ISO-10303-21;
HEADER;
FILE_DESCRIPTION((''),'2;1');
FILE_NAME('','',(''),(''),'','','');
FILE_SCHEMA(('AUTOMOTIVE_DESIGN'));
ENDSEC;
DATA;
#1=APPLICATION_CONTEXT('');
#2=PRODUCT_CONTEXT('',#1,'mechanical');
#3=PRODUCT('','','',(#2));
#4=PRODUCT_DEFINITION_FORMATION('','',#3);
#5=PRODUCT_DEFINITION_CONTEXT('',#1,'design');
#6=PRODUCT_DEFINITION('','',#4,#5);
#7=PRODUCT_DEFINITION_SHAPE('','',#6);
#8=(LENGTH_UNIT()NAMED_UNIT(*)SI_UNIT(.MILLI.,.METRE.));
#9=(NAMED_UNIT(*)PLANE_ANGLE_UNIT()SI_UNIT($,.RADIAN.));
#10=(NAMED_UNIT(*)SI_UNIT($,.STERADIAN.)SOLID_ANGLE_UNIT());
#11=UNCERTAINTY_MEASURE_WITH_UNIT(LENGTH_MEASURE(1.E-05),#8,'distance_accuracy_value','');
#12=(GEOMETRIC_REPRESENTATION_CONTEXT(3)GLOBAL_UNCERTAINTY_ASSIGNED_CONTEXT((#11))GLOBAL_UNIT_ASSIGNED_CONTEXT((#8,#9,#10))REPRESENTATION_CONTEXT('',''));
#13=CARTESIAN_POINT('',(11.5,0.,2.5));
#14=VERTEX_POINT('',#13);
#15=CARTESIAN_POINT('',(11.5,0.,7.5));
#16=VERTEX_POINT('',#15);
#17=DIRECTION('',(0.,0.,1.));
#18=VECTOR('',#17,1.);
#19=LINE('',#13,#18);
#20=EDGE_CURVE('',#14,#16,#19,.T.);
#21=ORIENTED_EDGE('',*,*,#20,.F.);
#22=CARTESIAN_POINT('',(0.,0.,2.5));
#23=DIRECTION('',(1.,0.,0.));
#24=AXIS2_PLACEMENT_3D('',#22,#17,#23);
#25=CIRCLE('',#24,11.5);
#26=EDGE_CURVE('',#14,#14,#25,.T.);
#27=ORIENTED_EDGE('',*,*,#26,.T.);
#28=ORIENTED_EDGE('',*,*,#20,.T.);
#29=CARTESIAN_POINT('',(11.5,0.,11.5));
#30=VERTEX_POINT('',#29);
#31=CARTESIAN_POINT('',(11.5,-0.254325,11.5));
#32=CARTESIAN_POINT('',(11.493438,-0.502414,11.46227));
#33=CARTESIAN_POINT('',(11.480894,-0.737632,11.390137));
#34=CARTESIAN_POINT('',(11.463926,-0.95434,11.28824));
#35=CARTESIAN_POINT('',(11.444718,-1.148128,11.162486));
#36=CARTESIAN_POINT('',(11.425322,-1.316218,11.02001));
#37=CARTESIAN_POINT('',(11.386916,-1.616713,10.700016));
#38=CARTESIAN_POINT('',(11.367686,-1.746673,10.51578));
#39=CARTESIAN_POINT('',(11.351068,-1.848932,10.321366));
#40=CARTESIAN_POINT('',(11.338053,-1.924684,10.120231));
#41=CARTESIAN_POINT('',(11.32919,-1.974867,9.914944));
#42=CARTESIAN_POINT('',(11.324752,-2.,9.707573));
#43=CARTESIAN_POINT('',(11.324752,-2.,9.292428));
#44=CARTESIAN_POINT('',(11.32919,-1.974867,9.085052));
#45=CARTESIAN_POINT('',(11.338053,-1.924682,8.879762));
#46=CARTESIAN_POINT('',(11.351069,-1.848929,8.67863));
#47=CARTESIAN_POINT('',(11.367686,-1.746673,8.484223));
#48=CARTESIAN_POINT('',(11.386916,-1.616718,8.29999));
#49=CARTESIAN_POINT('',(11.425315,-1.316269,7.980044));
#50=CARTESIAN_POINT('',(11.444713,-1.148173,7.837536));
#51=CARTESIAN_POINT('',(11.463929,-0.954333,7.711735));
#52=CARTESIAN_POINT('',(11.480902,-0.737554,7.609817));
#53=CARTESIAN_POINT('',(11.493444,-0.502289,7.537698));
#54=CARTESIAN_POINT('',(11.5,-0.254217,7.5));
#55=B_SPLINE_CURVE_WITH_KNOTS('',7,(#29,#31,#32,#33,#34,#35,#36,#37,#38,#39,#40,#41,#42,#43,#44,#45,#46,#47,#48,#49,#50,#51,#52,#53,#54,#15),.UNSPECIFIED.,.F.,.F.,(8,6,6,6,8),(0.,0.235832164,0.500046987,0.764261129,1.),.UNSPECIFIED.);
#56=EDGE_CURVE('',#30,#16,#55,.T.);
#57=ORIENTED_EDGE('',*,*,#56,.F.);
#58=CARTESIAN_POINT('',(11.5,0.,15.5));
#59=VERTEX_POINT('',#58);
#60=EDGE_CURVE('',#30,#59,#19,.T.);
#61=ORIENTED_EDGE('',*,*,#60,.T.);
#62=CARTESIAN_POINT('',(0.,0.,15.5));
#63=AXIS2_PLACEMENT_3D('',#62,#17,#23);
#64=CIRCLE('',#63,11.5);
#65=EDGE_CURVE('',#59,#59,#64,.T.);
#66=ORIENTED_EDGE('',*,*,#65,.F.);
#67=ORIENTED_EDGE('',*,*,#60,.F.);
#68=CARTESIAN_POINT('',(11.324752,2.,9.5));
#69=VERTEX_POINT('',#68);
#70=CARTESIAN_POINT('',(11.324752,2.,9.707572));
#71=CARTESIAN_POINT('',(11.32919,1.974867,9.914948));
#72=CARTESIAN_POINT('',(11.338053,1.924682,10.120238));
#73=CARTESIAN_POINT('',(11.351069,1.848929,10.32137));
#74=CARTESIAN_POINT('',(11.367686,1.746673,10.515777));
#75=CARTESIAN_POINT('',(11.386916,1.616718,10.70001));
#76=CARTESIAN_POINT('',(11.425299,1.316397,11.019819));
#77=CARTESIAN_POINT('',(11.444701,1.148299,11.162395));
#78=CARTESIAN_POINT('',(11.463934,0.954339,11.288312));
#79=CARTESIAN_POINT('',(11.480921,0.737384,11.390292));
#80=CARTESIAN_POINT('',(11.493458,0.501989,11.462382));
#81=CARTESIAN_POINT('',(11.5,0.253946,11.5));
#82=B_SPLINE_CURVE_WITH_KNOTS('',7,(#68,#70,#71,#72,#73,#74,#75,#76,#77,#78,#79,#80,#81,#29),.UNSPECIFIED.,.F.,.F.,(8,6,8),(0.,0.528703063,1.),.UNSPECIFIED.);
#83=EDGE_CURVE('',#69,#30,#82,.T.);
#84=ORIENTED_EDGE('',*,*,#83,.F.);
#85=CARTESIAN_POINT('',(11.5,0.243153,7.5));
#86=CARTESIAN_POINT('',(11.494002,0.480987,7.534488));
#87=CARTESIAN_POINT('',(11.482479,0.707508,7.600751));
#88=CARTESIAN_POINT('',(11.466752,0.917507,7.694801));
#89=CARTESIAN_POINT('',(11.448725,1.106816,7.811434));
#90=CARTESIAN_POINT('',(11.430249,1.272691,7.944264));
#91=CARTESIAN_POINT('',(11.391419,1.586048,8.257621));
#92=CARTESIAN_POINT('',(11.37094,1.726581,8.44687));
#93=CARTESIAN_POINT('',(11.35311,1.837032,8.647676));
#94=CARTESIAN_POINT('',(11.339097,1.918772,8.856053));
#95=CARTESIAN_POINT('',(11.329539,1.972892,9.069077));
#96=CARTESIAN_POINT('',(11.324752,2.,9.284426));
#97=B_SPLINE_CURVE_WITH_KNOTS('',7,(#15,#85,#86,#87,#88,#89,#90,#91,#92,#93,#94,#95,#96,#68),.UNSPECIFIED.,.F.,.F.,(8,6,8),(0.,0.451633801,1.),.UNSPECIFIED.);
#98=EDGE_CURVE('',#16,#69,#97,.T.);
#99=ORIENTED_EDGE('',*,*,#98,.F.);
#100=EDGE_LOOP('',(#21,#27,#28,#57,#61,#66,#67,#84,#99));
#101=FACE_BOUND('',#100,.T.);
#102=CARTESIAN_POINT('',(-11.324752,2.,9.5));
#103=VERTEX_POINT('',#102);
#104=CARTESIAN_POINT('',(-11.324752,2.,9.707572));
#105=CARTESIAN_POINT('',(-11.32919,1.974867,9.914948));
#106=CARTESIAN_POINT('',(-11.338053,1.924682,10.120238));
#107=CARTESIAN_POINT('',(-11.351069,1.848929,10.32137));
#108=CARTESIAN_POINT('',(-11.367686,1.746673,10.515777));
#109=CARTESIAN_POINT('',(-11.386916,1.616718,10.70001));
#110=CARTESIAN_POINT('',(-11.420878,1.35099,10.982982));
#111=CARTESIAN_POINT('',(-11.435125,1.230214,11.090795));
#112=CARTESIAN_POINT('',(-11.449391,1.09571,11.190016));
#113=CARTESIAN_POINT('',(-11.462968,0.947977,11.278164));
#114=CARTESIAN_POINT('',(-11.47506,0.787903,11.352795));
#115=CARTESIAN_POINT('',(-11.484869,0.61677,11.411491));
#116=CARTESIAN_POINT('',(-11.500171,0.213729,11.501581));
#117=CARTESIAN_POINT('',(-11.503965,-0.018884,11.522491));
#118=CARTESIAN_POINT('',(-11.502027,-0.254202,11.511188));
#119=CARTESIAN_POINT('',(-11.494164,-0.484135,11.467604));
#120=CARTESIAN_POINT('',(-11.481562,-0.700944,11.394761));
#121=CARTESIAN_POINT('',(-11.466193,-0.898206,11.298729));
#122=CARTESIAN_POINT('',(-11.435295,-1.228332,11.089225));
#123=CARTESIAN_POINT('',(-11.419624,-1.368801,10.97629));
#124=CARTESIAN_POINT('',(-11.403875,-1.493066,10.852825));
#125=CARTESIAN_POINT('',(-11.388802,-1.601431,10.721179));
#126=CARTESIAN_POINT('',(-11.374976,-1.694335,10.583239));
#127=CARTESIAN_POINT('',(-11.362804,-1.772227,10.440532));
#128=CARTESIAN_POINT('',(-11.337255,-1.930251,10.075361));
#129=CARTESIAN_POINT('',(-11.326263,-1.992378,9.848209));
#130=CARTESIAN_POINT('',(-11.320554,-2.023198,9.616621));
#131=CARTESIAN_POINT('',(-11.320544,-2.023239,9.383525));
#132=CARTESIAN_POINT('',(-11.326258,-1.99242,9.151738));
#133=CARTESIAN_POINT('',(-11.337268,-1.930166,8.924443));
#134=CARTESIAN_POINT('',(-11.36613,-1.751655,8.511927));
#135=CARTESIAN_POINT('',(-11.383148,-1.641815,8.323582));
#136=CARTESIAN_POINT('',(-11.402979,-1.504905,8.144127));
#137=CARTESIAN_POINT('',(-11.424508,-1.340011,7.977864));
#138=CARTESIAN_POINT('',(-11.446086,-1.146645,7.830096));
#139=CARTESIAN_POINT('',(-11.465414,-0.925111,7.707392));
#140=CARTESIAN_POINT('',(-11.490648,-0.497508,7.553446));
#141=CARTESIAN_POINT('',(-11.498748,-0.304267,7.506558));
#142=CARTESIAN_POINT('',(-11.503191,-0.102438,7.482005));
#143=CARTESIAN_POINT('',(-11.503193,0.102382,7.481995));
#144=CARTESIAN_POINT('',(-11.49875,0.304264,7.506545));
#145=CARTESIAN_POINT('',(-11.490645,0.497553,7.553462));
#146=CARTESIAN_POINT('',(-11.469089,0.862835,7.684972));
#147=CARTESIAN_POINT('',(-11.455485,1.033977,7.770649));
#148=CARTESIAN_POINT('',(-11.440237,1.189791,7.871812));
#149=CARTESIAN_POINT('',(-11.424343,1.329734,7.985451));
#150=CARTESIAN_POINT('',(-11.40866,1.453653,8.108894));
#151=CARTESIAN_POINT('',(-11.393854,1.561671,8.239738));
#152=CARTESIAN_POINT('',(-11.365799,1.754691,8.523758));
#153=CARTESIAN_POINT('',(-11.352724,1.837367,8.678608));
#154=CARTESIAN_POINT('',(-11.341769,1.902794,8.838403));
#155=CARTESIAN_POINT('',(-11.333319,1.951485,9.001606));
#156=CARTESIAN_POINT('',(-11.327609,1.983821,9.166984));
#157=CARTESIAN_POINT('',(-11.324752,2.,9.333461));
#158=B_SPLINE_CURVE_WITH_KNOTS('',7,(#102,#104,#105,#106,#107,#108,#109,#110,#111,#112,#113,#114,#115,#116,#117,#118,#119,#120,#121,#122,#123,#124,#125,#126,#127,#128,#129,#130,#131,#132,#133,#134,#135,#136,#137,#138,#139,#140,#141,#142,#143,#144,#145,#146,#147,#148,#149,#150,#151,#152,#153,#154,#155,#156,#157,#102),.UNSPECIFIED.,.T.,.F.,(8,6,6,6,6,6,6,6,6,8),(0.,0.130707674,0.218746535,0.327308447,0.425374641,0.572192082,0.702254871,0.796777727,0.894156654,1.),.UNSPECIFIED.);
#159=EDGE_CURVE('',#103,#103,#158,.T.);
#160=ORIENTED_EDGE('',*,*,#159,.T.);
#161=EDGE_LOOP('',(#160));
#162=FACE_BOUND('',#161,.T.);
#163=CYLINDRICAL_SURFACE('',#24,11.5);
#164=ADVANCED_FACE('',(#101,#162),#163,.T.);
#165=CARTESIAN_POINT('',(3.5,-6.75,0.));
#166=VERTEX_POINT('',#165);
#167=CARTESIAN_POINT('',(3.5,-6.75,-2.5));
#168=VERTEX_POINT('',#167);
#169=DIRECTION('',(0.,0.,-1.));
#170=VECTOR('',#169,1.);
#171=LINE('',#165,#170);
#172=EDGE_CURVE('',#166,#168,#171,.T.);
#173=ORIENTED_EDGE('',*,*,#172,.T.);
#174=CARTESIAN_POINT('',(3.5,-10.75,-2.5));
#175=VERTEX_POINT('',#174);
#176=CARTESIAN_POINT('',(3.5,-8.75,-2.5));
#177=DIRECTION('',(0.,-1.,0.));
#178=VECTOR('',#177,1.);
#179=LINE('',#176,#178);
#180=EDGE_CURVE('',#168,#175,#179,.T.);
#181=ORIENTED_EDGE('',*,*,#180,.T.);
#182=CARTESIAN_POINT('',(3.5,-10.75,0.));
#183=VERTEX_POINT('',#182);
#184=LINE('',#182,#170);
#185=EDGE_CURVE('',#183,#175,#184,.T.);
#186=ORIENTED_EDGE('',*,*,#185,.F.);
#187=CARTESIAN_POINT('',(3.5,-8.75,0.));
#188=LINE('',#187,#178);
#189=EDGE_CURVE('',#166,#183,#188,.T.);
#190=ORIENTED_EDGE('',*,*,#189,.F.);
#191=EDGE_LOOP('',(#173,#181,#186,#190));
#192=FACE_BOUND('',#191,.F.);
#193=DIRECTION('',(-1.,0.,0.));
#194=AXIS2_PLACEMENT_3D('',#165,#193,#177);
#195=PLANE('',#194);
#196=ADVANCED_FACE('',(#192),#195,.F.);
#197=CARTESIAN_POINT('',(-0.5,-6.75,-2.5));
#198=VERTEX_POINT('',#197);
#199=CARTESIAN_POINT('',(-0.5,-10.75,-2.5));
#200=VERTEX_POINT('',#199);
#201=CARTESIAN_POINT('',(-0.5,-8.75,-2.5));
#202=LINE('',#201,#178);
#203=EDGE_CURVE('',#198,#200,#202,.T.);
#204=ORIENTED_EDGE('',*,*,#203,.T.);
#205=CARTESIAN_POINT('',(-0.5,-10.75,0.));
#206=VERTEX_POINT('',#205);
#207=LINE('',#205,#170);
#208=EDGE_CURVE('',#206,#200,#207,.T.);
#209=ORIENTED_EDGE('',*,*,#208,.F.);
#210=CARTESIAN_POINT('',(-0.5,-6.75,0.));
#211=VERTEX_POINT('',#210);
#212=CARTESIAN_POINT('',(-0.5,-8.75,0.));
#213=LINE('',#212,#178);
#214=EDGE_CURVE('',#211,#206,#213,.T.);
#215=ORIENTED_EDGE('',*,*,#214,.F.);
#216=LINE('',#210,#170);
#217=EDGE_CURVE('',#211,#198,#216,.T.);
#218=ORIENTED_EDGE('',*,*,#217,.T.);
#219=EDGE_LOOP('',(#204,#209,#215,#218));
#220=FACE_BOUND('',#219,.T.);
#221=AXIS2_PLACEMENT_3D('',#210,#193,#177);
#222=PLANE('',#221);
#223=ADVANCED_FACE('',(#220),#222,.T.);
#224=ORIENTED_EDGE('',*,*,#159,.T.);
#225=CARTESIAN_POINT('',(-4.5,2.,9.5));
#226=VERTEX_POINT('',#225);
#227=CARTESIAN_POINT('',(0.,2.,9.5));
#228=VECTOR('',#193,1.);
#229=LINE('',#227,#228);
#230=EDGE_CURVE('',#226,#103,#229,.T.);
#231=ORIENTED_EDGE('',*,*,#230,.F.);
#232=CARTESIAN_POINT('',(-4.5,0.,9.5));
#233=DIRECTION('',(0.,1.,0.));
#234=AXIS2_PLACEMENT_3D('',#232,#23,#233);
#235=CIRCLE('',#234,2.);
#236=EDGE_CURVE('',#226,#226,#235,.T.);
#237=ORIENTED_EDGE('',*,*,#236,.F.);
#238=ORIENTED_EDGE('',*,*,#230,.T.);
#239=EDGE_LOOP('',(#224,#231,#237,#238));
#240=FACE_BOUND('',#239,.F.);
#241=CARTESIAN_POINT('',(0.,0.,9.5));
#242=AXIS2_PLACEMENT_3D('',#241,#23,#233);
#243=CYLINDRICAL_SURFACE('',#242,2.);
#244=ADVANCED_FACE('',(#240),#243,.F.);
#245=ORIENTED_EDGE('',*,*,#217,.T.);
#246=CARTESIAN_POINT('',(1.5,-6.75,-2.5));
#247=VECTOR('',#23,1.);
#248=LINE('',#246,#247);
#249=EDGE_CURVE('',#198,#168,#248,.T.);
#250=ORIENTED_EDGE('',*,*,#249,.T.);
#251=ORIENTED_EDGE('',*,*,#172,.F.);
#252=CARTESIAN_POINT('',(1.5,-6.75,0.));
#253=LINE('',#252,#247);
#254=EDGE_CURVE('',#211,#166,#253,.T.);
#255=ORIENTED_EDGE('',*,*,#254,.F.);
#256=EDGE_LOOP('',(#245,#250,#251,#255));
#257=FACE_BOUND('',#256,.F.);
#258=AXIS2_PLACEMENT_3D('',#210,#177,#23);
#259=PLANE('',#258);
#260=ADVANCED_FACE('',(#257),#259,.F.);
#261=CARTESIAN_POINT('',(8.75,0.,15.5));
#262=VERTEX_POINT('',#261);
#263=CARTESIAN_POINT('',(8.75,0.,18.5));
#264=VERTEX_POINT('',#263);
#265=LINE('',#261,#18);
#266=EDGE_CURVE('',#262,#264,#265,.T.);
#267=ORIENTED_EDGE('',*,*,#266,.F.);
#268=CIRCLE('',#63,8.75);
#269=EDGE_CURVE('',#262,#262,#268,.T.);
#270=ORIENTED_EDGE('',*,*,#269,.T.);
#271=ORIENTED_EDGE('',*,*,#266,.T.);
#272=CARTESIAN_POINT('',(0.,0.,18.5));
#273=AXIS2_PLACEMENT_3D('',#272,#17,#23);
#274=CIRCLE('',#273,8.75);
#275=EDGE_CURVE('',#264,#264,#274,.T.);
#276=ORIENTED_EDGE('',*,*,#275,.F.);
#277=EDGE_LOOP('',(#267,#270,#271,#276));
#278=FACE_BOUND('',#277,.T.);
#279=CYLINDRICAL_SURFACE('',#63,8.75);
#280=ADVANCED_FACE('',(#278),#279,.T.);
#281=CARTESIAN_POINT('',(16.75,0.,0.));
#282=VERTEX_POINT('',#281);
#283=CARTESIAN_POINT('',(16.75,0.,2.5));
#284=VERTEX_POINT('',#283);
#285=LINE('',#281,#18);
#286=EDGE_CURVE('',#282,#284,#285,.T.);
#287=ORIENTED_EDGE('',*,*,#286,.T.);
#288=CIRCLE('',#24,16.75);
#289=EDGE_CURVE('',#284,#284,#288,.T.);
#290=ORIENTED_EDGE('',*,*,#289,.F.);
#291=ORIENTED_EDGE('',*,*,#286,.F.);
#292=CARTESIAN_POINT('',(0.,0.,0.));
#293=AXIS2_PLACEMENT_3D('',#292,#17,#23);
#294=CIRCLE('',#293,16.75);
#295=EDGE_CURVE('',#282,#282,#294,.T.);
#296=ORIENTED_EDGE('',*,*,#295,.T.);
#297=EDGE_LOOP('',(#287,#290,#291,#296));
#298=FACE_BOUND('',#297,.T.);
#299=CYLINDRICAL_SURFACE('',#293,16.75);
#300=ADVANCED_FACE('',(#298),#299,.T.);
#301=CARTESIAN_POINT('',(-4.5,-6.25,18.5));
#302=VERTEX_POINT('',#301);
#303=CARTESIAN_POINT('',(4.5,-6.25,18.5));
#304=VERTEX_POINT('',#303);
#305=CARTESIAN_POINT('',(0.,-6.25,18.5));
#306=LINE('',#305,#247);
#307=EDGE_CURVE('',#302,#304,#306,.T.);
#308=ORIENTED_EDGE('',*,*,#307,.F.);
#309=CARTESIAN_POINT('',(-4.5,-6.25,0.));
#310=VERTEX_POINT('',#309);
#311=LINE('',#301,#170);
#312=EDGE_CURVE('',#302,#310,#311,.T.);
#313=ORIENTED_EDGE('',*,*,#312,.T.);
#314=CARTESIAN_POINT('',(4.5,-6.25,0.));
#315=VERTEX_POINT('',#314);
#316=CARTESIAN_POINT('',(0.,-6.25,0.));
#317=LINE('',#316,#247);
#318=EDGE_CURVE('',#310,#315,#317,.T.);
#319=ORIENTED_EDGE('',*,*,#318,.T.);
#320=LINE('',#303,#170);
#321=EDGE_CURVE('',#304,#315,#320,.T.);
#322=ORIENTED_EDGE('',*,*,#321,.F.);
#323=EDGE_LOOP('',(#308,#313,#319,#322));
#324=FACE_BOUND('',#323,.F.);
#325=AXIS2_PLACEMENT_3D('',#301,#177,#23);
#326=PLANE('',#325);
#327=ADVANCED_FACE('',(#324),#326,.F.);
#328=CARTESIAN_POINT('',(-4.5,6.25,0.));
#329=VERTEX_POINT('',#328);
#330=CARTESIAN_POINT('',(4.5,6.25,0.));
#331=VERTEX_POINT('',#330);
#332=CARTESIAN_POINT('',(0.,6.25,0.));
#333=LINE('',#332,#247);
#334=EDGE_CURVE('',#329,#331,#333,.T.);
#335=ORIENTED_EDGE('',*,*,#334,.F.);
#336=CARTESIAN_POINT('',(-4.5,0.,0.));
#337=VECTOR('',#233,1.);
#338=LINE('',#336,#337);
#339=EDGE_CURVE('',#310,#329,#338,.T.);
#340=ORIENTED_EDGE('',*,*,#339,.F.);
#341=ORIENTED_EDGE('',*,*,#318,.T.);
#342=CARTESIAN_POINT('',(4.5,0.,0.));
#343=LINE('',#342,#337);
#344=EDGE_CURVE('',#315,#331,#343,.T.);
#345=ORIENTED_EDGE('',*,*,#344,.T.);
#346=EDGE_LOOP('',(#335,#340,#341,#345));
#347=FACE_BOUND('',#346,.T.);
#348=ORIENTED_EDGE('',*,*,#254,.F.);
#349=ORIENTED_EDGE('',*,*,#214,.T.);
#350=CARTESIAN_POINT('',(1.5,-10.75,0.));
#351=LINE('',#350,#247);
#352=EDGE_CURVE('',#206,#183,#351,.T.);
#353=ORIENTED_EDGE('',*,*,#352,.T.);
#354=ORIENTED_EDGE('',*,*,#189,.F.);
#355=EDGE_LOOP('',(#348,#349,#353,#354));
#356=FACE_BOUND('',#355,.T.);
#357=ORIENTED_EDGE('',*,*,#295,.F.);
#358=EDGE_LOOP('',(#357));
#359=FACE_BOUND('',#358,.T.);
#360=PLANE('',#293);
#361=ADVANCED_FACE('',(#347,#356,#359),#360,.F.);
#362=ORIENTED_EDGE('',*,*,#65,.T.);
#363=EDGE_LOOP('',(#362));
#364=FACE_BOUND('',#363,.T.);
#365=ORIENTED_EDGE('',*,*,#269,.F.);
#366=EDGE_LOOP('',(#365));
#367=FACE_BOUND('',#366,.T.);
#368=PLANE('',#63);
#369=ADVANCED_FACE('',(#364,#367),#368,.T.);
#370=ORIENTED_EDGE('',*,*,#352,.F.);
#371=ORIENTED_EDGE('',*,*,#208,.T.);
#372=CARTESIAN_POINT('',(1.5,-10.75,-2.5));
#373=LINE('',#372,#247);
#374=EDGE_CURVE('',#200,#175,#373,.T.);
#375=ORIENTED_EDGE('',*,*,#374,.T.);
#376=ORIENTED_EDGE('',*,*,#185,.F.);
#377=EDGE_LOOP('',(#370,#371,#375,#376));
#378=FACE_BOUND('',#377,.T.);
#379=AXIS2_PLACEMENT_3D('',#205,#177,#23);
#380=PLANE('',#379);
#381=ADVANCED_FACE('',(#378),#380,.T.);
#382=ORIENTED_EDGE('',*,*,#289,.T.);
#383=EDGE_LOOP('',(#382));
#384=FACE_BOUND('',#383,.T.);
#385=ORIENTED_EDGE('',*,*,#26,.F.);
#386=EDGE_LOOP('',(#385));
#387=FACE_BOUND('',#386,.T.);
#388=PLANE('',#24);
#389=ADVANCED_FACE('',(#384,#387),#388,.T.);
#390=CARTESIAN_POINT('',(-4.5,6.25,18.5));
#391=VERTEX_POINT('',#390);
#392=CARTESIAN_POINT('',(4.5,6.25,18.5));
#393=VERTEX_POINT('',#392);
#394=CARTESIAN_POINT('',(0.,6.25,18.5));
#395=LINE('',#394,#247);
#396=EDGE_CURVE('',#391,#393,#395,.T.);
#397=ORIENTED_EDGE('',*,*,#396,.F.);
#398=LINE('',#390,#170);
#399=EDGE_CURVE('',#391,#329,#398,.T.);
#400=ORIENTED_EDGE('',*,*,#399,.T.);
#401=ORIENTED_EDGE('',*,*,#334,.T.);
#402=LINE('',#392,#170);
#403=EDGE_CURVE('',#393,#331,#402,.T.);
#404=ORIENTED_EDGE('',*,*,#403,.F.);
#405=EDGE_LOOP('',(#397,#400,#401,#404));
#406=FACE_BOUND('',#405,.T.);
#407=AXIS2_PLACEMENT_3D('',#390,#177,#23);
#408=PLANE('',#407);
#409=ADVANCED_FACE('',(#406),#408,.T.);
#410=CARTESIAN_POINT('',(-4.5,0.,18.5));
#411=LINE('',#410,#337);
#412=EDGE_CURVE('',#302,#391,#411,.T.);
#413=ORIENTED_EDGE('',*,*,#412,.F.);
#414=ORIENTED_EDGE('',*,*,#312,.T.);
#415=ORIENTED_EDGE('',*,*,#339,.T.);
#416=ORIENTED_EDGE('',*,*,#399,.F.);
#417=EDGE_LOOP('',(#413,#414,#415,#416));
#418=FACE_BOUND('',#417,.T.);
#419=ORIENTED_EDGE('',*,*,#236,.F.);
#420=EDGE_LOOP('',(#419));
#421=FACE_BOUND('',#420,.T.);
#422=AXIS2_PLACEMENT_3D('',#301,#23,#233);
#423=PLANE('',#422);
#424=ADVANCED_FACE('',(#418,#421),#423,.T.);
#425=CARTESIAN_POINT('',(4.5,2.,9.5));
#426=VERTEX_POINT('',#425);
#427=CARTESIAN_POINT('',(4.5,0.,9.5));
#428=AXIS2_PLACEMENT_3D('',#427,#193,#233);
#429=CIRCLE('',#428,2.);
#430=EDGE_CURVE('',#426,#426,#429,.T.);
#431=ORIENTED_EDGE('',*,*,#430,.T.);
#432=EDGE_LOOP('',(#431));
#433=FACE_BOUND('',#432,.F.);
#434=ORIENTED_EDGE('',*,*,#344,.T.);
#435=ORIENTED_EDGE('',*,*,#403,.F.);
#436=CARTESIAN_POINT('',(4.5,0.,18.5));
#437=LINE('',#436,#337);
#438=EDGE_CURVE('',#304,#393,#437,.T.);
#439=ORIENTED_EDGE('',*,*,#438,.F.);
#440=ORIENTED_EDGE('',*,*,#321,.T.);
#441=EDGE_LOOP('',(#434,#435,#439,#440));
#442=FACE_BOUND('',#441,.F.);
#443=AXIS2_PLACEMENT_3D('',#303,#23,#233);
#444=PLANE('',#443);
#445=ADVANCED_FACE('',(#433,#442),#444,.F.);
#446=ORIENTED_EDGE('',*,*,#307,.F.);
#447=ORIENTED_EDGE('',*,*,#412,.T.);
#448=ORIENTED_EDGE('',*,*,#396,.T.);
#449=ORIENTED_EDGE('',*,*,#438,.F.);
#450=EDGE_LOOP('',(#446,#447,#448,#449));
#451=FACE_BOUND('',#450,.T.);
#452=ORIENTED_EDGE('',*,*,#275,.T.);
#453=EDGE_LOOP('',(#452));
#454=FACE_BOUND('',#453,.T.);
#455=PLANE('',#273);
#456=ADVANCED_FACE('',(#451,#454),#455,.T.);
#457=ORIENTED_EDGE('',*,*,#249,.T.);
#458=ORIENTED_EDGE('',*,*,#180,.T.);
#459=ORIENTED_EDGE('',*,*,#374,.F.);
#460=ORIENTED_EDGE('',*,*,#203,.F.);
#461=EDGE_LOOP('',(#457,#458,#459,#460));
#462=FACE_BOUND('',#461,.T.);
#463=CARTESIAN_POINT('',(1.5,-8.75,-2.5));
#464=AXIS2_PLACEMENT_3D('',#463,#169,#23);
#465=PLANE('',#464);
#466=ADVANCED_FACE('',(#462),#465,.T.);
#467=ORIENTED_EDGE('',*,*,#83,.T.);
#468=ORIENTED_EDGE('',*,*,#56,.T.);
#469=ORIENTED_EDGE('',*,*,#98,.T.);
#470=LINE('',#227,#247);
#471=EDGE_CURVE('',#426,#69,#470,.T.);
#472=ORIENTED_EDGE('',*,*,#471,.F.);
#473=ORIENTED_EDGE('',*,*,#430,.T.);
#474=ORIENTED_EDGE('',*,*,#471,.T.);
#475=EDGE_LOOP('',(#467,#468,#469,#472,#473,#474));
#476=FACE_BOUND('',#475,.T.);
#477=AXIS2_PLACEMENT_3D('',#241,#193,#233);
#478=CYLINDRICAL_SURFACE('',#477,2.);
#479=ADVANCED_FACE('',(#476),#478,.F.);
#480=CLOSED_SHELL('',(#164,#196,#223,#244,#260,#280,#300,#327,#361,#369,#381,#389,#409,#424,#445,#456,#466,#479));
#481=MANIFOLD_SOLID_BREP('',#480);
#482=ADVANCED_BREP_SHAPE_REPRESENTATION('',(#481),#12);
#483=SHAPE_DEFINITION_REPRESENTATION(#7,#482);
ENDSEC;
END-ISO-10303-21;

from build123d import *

# Parameters (mm, degrees)
F2_W          = 9
F2_H          = 12.5
F3_DEPTH      = 18.5
F4_W          = 4
F4_H          = 4
F5_DEPTH      = 2.5
F6_R          = 2
F7_DEPTH      = 16.751
F7_DEPTH_BACK = 16.751


with BuildPart() as f1:
    # F0 (on Front) → F1 (revolve)
    with BuildSketch(Plane.XZ):
        Polygon((0, 18.5), (0, 0), (16.75, 0), (16.75, 2.5), (11.5, 2.5), (11.5, 15.5), (8.75, 15.5), (8.75, 18.5), align=None)
    revolve(axis=Axis((0, 0, 44.9704285987), (0, 0, 1)))

    # F2 (on face) → F3 (cut, through all)
    with BuildSketch(Plane.XY.offset(18.5)):
        Rectangle(F2_W, F2_H)
    extrude(amount=-F3_DEPTH, mode=Mode.SUBTRACT)

    # F4 (on face) → F5 (join)
    with BuildSketch(Plane(origin=(0, 0, 0), x_dir=(1, 0, 0), z_dir=(0, 0, -1))):
        with Locations((1.5, 8.75)):
            Rectangle(F4_W, F4_H)
    extrude(amount=F5_DEPTH)

    # F6 (on Right) → F7 (cut, two sides)
    with BuildSketch(Plane.YZ) as f7_sk:
        with Locations((0, 9.5)):
            Circle(F6_R)
    extrude(amount=-F7_DEPTH, mode=Mode.SUBTRACT)
    extrude(f7_sk.sketch, amount=F7_DEPTH_BACK, mode=Mode.SUBTRACT)


solid = f1.part
